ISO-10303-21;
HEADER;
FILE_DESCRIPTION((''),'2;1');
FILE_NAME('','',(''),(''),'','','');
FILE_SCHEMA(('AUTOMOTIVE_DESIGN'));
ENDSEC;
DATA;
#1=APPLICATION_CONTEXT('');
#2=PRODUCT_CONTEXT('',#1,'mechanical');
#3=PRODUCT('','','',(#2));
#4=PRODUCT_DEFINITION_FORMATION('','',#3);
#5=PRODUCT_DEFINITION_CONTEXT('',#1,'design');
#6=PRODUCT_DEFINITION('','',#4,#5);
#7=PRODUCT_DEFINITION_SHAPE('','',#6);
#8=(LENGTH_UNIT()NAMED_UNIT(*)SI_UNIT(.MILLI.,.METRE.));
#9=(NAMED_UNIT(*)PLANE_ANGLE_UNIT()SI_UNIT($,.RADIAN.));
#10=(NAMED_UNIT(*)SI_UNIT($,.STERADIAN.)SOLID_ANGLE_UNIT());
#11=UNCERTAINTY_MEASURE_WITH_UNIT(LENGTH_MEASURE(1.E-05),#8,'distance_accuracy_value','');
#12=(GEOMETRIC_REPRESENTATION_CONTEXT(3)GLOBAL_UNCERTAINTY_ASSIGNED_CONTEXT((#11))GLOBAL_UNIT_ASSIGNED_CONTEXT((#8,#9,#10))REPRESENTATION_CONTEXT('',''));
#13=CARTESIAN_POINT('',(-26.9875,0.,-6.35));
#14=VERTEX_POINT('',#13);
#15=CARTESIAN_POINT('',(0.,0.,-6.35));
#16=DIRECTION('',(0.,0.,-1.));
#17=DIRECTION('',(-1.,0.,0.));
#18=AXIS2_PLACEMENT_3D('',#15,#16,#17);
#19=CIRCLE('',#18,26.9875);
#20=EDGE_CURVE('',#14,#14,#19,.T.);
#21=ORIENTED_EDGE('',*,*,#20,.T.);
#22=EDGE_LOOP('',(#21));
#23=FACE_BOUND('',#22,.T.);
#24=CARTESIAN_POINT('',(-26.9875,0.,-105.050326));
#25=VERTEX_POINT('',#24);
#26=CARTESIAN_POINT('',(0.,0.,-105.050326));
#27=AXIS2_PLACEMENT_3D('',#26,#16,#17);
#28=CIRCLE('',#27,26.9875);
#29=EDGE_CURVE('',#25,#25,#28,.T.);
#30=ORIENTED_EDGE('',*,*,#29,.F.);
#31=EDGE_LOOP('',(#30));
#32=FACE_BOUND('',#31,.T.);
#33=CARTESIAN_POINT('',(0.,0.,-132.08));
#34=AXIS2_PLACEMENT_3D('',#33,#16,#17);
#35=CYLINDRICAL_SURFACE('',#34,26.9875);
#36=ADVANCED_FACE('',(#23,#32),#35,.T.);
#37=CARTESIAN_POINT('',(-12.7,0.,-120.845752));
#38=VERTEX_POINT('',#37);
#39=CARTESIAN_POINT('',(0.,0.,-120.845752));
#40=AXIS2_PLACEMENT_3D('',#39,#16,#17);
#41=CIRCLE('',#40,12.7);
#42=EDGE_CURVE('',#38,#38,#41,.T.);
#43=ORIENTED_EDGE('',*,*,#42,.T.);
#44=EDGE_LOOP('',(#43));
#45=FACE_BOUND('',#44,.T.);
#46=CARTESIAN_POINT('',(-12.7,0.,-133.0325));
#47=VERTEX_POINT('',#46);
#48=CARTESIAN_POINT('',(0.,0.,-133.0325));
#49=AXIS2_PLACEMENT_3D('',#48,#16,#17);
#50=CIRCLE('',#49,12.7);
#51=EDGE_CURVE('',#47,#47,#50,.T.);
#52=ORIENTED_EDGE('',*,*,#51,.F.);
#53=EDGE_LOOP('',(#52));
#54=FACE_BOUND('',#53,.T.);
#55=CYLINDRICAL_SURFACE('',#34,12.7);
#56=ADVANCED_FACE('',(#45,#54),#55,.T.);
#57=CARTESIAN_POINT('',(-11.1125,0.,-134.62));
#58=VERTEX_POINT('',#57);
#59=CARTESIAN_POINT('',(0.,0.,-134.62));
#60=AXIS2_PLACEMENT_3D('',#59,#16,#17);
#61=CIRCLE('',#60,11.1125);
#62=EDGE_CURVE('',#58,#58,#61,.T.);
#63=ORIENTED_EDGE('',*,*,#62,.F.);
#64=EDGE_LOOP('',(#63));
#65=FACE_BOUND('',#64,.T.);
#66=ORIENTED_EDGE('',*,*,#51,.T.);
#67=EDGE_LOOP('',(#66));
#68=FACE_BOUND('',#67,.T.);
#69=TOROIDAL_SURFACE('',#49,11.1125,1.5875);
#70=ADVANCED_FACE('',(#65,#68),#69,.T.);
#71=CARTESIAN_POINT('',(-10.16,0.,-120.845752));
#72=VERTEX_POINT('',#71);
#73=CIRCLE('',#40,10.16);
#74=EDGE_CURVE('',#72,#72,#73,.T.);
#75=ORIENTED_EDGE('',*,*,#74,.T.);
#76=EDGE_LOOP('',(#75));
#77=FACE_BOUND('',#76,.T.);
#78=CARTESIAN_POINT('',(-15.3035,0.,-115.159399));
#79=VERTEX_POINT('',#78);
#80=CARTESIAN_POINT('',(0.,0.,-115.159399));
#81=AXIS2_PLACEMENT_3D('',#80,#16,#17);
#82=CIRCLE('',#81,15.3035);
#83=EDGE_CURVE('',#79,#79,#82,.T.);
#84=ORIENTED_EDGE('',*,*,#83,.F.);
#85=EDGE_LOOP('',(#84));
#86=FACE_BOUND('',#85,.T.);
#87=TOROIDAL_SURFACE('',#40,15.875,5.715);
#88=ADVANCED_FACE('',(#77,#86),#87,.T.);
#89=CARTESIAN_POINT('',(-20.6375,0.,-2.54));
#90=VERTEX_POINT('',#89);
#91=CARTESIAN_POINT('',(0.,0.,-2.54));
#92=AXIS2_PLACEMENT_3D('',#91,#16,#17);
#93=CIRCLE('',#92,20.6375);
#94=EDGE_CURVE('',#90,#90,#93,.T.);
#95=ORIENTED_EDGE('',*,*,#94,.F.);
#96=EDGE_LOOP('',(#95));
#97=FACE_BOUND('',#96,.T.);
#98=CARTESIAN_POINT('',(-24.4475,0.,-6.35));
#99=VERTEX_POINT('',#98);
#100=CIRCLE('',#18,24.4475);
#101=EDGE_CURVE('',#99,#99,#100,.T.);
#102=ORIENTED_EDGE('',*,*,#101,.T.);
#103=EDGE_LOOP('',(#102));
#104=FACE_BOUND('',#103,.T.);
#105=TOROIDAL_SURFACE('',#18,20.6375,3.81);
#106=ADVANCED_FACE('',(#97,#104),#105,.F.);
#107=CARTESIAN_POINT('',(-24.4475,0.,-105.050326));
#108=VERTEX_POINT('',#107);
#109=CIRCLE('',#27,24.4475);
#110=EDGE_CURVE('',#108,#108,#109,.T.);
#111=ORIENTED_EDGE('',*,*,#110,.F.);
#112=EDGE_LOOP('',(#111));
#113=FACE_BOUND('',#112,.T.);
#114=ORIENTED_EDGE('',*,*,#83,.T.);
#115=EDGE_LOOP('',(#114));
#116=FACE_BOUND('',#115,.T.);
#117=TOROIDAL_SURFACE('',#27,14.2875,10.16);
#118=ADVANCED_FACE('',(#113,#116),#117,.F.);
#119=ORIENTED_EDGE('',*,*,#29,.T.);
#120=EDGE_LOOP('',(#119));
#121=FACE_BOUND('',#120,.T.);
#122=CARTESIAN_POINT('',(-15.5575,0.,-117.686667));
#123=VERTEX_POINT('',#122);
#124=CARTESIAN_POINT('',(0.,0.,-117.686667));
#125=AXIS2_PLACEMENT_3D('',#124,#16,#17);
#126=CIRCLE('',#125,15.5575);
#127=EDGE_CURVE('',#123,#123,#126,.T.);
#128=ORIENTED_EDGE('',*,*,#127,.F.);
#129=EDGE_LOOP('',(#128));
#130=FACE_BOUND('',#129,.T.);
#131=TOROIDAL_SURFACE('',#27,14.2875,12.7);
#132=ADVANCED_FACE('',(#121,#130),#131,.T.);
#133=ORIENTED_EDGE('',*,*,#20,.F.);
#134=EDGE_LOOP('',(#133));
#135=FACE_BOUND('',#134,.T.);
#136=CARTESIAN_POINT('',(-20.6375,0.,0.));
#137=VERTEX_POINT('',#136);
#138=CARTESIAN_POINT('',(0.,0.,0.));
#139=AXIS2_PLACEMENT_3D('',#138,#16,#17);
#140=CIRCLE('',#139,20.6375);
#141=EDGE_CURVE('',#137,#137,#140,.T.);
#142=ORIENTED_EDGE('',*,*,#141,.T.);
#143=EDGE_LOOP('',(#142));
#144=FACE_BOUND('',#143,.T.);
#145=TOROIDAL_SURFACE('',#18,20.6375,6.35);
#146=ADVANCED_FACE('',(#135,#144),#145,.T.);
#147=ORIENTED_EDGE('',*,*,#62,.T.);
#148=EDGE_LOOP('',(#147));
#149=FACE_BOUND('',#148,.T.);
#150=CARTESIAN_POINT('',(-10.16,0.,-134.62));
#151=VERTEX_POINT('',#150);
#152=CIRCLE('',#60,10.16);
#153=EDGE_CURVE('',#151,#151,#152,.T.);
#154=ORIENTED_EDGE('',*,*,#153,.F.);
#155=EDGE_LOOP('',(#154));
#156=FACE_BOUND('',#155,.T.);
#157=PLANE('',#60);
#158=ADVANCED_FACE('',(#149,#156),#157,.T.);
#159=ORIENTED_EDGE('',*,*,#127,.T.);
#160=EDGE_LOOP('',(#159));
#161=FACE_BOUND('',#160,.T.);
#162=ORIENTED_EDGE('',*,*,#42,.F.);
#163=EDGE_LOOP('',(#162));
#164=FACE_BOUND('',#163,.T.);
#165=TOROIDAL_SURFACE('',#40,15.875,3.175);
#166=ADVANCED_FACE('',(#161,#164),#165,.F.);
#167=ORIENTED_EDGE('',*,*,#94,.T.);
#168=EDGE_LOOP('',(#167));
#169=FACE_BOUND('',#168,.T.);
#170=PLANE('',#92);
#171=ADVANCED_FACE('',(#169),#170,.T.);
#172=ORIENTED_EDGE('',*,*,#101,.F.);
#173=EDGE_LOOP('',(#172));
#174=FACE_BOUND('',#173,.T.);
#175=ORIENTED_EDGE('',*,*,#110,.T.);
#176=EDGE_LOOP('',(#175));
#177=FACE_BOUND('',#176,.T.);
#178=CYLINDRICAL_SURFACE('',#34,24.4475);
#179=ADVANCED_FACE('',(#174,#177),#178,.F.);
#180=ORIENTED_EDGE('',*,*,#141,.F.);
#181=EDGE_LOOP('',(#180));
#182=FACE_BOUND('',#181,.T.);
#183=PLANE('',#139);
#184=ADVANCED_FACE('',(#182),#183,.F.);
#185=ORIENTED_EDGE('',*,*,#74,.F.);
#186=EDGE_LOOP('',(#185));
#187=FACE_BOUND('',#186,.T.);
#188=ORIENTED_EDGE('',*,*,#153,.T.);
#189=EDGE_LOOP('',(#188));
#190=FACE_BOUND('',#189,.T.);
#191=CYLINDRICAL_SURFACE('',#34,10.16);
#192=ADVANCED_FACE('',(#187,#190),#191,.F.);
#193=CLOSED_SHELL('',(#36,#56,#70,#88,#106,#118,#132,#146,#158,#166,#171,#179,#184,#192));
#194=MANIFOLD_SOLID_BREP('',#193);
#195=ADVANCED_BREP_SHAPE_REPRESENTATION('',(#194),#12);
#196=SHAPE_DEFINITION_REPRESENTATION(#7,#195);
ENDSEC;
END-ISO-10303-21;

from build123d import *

# Parameters (mm, degrees)
SKETCH2_W = 2.54
SKETCH2_H = 98.700326215


with BuildPart() as part:
    # Sketch2 → Revolve2 (revolve)
    with BuildSketch(Plane(origin=(0, 0, 0), x_dir=(1, 0, 0), z_dir=(0, 1, 0)), mode=Mode.PRIVATE) as revolve2_sk:
        with BuildLine():
            Line((12.7, 120.845751779), (12.7, 133.0325))
            ThreePointArc((12.7, 133.0325), (12.235032015, 134.155032015), (11.1125, 134.62))
            Line((11.1125, 134.62), (10.16, 134.62))
            Line((10.16, 134.62), (10.16, 120.845751779))
            Line((10.16, 120.845751779), (12.7, 120.845751779))
        make_face()
        with BuildLine():
            Line((10.16, 120.845751779), (12.7, 120.845751779))
            ThreePointArc((12.7, 120.845751779), (13.52035698, 118.715897031), (15.5575, 117.686666667))
            ThreePointArc((15.5575, 117.686666667), (23.706072079, 113.56974521), (26.9875, 105.050326215))
            Line((26.9875, 105.050326215), (24.4475, 105.050326215))
            ThreePointArc((24.4475, 105.050326215), (21.822357663, 111.865861411), (15.3035, 115.159398576))
            ThreePointArc((15.3035, 115.159398576), (11.636642565, 117.012013232), (10.16, 120.845751779))
        make_face()
        with Locations((25.7175, 55.700163108)):
            Rectangle(SKETCH2_W, SKETCH2_H)
        with BuildLine():
            Line((24.4475, 6.35), (26.9875, 6.35))
            ThreePointArc((26.9875, 6.35), (25.127628061, 1.859871939), (20.6375, 0))
            Line((20.6375, 0), (0, 0))
            Line((0, 0), (0, 2.54))
            Line((0, 2.54), (20.6375, 2.54))
            ThreePointArc((20.6375, 2.54), (23.331576836, 3.655923164), (24.4475, 6.35))
        make_face()
    revolve(revolve2_sk.sketch.rotate(Axis((0, 0, -132.08), (0, 0, 1)), 180), axis=Axis((0, 0, -132.08), (0, 0, 1)))


solid = part.part
